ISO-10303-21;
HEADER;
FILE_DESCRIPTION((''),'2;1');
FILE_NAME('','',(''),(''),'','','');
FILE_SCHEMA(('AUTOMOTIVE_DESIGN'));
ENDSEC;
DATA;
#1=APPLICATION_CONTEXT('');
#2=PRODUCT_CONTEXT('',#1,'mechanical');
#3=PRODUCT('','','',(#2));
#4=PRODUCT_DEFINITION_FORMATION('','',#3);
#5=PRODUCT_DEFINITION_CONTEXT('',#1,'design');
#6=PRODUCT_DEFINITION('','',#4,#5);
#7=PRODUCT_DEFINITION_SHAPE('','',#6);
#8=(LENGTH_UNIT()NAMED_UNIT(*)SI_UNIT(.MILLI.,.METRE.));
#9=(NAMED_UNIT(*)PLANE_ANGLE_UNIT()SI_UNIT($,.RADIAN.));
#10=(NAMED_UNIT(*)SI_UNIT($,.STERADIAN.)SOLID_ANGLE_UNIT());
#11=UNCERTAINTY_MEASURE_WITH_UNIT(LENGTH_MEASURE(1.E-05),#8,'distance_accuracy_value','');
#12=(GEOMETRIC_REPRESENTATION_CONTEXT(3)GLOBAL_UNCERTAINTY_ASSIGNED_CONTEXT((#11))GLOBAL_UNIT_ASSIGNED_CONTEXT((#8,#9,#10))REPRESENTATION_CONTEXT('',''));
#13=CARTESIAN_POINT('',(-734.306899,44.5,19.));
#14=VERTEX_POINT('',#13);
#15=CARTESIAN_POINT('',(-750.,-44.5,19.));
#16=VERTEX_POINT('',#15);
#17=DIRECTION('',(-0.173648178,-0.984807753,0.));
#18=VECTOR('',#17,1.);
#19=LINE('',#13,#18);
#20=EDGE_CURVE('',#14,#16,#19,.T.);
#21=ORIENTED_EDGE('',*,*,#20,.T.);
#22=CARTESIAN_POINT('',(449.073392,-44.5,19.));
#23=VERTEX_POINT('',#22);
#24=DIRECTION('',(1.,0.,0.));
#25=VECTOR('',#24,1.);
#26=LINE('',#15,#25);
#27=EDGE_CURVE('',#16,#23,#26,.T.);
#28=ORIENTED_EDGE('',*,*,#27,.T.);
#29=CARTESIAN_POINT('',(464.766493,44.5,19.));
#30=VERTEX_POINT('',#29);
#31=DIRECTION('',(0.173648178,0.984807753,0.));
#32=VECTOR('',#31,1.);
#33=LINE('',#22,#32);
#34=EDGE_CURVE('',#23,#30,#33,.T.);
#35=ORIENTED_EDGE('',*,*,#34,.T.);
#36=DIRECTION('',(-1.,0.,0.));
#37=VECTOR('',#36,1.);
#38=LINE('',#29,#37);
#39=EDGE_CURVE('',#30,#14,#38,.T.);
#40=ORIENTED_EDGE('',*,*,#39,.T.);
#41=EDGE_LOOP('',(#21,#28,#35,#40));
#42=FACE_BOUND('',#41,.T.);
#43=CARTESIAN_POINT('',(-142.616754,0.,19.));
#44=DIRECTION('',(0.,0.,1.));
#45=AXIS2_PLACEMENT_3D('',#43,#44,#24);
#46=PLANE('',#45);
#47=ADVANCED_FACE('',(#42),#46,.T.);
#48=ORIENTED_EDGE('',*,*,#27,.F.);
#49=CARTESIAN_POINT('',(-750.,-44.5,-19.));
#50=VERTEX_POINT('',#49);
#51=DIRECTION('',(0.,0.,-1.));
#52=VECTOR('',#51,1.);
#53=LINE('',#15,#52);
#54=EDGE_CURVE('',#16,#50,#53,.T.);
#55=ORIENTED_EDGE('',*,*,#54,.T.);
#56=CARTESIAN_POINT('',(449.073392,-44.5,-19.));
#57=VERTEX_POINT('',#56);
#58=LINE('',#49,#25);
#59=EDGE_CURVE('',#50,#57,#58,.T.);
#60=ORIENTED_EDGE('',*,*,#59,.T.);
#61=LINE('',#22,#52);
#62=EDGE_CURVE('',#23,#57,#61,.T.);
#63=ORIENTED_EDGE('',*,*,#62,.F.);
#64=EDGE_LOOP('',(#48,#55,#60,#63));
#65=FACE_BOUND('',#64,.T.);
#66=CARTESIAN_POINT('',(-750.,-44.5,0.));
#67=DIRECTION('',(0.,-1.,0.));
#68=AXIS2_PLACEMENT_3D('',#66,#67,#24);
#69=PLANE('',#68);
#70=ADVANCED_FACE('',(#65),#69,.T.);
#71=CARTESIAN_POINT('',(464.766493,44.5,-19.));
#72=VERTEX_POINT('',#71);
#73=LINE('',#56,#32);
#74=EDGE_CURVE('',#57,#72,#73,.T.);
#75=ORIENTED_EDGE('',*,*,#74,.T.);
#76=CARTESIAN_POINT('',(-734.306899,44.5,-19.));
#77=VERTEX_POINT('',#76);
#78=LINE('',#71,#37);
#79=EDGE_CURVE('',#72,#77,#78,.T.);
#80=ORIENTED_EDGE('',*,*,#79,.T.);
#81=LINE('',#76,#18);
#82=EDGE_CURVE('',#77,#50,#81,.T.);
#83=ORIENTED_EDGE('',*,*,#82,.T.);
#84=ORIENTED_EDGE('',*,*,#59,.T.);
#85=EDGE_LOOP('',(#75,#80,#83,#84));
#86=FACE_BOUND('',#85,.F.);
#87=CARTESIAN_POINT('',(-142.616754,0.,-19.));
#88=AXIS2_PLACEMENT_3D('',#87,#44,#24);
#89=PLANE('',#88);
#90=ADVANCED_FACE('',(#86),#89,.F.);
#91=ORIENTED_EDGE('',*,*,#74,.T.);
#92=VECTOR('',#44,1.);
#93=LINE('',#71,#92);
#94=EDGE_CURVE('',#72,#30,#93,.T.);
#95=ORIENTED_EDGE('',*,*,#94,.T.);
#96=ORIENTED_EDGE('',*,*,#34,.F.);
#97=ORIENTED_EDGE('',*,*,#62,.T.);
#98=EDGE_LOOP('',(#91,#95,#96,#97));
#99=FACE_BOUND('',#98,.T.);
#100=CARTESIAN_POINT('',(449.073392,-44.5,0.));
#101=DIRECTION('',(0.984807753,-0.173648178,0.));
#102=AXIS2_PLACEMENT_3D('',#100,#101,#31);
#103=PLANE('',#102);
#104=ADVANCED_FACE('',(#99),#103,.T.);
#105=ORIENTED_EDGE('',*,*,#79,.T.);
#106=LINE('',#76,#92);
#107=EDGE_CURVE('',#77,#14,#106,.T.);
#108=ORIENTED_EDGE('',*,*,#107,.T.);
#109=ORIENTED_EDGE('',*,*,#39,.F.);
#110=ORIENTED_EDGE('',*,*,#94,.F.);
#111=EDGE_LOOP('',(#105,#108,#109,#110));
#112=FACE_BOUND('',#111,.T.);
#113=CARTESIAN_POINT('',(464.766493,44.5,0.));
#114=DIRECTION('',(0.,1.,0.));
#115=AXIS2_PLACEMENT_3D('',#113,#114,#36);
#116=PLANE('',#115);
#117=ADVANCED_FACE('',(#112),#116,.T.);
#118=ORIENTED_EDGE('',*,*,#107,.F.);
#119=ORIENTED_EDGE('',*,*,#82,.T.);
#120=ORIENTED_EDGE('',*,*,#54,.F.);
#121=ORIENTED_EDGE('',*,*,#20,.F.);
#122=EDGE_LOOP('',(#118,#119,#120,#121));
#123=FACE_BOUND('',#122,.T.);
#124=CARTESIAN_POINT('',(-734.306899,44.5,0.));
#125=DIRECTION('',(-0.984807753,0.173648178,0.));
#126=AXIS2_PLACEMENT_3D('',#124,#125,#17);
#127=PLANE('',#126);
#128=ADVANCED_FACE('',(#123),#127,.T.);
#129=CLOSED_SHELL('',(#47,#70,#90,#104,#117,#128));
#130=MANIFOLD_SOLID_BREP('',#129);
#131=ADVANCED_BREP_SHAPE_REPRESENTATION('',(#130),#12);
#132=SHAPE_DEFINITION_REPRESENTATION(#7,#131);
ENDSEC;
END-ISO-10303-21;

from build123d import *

# Parameters (mm, degrees)
F1_DEPTH = 19


with BuildPart() as f1:
    # F0 (on Top) → F1 (new body, symmetric)
    with BuildSketch(Plane.XY):
        Polygon((449.073391663, -44.5), (464.7664929461, 44.5), (-734.3068987169, 44.5), (-750, -44.5), align=None)
    extrude(amount=F1_DEPTH, both=True)


solid = f1.part
